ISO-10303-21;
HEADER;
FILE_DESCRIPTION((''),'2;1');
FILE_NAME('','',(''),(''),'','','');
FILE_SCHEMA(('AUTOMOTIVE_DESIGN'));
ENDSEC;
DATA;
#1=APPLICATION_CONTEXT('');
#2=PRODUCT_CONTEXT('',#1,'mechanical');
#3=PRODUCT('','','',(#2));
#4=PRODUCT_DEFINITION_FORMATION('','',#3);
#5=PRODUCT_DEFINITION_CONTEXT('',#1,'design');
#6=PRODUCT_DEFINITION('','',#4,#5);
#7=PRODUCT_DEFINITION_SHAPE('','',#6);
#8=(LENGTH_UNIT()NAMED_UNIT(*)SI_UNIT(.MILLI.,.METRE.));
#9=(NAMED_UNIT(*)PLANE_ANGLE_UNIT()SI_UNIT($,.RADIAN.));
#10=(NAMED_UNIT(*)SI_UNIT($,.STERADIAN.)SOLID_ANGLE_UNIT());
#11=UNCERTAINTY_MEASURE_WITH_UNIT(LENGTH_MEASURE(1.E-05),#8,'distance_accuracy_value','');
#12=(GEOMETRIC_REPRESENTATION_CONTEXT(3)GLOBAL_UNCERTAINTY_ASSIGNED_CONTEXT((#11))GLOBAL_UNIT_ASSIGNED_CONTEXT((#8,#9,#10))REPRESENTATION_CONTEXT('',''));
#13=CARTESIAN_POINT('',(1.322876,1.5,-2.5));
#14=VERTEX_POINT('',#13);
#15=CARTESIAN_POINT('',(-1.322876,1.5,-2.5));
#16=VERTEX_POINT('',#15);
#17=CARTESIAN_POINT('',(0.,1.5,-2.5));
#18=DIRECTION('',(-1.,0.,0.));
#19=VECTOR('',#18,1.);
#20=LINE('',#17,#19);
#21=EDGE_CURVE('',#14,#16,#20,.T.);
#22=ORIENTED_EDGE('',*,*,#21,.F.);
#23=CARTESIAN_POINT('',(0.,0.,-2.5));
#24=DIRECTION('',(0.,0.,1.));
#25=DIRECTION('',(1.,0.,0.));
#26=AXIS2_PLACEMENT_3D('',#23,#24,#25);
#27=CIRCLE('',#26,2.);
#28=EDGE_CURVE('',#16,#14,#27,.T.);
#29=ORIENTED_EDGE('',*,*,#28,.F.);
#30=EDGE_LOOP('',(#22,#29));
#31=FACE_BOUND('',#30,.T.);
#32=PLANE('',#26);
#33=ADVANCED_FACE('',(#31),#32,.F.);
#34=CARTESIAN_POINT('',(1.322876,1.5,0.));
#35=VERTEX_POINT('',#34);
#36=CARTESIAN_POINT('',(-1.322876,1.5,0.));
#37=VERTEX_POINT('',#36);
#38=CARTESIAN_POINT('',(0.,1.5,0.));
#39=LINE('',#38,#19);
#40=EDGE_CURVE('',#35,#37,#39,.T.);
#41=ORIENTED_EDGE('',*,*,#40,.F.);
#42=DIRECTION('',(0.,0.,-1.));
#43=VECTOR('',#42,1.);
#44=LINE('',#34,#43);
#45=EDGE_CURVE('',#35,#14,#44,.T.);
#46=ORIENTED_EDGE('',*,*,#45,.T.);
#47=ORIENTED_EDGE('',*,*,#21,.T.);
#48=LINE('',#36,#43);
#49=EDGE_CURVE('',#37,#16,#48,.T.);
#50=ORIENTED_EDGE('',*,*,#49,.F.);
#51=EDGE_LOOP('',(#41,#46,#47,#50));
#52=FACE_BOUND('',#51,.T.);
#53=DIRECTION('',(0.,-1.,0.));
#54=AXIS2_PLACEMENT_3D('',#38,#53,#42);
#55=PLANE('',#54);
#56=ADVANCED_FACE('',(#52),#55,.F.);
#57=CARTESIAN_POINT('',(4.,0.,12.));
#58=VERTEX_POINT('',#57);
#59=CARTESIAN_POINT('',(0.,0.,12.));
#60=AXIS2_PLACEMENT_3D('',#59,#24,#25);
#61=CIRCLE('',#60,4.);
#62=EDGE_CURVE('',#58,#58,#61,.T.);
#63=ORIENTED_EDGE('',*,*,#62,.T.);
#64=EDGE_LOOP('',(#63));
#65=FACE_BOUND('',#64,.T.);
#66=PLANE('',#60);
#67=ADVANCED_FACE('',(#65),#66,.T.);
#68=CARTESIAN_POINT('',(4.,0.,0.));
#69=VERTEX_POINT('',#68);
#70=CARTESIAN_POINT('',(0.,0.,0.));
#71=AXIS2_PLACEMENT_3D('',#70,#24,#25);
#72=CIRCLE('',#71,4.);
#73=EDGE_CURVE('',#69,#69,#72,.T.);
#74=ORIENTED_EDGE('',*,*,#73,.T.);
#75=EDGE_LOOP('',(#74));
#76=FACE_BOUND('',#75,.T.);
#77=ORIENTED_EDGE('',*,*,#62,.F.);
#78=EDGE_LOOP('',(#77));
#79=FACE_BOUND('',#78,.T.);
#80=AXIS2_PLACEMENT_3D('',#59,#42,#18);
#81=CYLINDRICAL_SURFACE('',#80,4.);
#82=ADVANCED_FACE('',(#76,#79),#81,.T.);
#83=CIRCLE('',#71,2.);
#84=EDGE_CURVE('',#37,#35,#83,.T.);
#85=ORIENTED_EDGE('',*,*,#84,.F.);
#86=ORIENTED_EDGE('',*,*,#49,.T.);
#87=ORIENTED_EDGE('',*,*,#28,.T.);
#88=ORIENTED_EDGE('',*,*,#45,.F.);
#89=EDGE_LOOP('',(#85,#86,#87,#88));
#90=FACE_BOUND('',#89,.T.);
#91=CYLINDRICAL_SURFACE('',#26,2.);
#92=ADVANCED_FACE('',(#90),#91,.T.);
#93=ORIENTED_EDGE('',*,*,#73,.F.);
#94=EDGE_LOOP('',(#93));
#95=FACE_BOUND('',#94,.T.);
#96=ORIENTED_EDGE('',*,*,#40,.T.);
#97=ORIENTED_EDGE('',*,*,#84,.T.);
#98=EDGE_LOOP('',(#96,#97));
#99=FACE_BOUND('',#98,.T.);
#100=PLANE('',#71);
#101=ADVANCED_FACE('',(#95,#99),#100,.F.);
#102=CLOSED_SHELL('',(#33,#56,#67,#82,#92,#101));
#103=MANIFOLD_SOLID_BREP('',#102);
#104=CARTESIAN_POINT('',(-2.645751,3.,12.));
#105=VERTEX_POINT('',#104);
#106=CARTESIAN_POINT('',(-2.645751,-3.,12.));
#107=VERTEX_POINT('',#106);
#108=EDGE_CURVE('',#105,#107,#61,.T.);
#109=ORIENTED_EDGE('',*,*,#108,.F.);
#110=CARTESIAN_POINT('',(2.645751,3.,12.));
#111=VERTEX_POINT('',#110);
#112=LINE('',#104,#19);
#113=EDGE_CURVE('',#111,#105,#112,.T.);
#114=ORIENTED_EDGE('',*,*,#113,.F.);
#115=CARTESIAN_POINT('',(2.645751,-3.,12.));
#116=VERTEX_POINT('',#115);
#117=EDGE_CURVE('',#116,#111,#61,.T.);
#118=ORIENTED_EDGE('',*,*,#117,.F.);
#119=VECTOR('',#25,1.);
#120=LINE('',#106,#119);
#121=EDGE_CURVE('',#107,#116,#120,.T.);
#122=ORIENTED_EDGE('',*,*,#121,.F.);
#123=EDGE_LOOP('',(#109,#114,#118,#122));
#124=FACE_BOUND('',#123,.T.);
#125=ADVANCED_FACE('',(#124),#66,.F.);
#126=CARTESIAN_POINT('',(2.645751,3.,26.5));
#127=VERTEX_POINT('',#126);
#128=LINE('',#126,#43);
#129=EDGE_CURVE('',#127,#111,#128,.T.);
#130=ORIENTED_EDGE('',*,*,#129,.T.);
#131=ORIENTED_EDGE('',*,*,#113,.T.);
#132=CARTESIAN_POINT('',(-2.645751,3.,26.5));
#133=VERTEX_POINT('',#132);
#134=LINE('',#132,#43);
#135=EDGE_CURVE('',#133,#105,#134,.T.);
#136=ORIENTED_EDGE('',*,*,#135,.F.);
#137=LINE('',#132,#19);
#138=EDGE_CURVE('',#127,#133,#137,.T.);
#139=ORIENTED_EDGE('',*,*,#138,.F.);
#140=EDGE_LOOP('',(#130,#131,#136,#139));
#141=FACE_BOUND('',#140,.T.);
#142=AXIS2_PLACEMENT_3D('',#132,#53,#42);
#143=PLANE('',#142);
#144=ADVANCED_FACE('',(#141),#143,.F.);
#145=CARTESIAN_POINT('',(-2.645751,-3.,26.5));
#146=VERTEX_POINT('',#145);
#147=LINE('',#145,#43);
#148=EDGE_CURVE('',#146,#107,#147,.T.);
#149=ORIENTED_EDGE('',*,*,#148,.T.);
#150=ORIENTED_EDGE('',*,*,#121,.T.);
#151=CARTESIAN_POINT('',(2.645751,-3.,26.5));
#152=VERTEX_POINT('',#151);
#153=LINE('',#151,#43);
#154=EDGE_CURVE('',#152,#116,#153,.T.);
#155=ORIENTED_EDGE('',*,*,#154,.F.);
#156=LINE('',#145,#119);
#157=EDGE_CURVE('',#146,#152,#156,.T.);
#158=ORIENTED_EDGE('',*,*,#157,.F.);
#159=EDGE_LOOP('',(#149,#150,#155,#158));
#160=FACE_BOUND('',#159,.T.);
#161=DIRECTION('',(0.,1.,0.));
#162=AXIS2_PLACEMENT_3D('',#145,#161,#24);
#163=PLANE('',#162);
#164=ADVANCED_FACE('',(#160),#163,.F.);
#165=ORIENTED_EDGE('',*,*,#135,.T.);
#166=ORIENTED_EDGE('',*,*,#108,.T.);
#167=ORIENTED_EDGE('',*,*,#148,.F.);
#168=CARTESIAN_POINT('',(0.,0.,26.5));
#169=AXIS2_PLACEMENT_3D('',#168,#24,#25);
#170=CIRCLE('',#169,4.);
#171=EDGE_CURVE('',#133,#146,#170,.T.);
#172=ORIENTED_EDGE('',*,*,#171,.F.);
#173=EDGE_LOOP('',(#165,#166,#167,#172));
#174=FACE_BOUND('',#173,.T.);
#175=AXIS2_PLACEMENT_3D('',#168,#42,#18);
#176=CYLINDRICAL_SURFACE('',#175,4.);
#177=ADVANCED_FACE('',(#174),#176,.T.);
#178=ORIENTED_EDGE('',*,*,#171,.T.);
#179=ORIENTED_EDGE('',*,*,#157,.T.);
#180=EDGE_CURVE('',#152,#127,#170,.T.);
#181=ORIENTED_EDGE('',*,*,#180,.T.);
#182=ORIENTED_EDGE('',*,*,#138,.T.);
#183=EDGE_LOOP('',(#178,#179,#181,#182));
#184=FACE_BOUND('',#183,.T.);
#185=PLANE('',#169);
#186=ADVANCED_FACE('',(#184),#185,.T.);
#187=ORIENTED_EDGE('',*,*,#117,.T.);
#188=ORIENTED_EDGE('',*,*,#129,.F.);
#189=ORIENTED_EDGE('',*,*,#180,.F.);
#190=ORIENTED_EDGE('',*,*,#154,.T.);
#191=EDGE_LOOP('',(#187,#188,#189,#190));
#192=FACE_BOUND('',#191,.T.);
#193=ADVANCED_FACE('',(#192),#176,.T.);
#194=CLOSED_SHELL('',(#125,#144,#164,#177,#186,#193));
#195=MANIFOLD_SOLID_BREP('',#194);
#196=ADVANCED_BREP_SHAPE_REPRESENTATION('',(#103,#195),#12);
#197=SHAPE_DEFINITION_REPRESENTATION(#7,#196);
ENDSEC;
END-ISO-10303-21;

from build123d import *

# Parameters (mm, degrees)
SKETCH1_R           = 4
BOSS_EXTRUDE1_DEPTH = 12
SKETCH1_4_R         = 2
BOSS_EXTRUDE2_DEPTH = 2.5
BOSS_EXTRUDE3_DEPTH = 14.5
CUT_EXTRUDE1_START  = -2.5
CUT_EXTRUDE1_DEPTH  = 2.5


with BuildPart() as part:
    # Sketch1 → Boss-Extrude1 (new body)
    with BuildSketch(Plane.XY):
        Circle(SKETCH1_R)
    extrude(amount=BOSS_EXTRUDE1_DEPTH)

    # Sketch1<4> → Boss-Extrude2 (add)
    with BuildSketch(Plane.XY):
        Circle(SKETCH1_4_R)
    extrude(amount=-BOSS_EXTRUDE2_DEPTH)

    # Sketch3 → Cut-Extrude1 (cut)
    with BuildSketch(Plane(origin=(0, 0, -2.5), x_dir=(-1, 0, 0), z_dir=(0, 0, -1)).offset(CUT_EXTRUDE1_START)):
        with BuildLine():
            ThreePointArc((1.322875656, 1.5), (0, 2), (-1.322875656, 1.5))
            Line((-1.322875656, 1.5), (1.322875656, 1.5))
        make_face()
    extrude(amount=CUT_EXTRUDE1_DEPTH, mode=Mode.SUBTRACT)


with BuildPart() as body_2:
    # Sketch2 → Boss-Extrude3 (new body)
    with BuildSketch(Plane.XY.offset(12)):
        with BuildLine():
            Line((-2.645751311, 3), (2.645751311, 3))
            ThreePointArc((2.645751311, 3), (4, 0), (2.645751311, -3))
            Line((2.645751311, -3), (-2.645751311, -3))
            ThreePointArc((-2.645751311, -3), (-4, 0), (-2.645751311, 3))
        make_face()
    extrude(amount=BOSS_EXTRUDE3_DEPTH)


solid = Compound([part.part, body_2.part])
